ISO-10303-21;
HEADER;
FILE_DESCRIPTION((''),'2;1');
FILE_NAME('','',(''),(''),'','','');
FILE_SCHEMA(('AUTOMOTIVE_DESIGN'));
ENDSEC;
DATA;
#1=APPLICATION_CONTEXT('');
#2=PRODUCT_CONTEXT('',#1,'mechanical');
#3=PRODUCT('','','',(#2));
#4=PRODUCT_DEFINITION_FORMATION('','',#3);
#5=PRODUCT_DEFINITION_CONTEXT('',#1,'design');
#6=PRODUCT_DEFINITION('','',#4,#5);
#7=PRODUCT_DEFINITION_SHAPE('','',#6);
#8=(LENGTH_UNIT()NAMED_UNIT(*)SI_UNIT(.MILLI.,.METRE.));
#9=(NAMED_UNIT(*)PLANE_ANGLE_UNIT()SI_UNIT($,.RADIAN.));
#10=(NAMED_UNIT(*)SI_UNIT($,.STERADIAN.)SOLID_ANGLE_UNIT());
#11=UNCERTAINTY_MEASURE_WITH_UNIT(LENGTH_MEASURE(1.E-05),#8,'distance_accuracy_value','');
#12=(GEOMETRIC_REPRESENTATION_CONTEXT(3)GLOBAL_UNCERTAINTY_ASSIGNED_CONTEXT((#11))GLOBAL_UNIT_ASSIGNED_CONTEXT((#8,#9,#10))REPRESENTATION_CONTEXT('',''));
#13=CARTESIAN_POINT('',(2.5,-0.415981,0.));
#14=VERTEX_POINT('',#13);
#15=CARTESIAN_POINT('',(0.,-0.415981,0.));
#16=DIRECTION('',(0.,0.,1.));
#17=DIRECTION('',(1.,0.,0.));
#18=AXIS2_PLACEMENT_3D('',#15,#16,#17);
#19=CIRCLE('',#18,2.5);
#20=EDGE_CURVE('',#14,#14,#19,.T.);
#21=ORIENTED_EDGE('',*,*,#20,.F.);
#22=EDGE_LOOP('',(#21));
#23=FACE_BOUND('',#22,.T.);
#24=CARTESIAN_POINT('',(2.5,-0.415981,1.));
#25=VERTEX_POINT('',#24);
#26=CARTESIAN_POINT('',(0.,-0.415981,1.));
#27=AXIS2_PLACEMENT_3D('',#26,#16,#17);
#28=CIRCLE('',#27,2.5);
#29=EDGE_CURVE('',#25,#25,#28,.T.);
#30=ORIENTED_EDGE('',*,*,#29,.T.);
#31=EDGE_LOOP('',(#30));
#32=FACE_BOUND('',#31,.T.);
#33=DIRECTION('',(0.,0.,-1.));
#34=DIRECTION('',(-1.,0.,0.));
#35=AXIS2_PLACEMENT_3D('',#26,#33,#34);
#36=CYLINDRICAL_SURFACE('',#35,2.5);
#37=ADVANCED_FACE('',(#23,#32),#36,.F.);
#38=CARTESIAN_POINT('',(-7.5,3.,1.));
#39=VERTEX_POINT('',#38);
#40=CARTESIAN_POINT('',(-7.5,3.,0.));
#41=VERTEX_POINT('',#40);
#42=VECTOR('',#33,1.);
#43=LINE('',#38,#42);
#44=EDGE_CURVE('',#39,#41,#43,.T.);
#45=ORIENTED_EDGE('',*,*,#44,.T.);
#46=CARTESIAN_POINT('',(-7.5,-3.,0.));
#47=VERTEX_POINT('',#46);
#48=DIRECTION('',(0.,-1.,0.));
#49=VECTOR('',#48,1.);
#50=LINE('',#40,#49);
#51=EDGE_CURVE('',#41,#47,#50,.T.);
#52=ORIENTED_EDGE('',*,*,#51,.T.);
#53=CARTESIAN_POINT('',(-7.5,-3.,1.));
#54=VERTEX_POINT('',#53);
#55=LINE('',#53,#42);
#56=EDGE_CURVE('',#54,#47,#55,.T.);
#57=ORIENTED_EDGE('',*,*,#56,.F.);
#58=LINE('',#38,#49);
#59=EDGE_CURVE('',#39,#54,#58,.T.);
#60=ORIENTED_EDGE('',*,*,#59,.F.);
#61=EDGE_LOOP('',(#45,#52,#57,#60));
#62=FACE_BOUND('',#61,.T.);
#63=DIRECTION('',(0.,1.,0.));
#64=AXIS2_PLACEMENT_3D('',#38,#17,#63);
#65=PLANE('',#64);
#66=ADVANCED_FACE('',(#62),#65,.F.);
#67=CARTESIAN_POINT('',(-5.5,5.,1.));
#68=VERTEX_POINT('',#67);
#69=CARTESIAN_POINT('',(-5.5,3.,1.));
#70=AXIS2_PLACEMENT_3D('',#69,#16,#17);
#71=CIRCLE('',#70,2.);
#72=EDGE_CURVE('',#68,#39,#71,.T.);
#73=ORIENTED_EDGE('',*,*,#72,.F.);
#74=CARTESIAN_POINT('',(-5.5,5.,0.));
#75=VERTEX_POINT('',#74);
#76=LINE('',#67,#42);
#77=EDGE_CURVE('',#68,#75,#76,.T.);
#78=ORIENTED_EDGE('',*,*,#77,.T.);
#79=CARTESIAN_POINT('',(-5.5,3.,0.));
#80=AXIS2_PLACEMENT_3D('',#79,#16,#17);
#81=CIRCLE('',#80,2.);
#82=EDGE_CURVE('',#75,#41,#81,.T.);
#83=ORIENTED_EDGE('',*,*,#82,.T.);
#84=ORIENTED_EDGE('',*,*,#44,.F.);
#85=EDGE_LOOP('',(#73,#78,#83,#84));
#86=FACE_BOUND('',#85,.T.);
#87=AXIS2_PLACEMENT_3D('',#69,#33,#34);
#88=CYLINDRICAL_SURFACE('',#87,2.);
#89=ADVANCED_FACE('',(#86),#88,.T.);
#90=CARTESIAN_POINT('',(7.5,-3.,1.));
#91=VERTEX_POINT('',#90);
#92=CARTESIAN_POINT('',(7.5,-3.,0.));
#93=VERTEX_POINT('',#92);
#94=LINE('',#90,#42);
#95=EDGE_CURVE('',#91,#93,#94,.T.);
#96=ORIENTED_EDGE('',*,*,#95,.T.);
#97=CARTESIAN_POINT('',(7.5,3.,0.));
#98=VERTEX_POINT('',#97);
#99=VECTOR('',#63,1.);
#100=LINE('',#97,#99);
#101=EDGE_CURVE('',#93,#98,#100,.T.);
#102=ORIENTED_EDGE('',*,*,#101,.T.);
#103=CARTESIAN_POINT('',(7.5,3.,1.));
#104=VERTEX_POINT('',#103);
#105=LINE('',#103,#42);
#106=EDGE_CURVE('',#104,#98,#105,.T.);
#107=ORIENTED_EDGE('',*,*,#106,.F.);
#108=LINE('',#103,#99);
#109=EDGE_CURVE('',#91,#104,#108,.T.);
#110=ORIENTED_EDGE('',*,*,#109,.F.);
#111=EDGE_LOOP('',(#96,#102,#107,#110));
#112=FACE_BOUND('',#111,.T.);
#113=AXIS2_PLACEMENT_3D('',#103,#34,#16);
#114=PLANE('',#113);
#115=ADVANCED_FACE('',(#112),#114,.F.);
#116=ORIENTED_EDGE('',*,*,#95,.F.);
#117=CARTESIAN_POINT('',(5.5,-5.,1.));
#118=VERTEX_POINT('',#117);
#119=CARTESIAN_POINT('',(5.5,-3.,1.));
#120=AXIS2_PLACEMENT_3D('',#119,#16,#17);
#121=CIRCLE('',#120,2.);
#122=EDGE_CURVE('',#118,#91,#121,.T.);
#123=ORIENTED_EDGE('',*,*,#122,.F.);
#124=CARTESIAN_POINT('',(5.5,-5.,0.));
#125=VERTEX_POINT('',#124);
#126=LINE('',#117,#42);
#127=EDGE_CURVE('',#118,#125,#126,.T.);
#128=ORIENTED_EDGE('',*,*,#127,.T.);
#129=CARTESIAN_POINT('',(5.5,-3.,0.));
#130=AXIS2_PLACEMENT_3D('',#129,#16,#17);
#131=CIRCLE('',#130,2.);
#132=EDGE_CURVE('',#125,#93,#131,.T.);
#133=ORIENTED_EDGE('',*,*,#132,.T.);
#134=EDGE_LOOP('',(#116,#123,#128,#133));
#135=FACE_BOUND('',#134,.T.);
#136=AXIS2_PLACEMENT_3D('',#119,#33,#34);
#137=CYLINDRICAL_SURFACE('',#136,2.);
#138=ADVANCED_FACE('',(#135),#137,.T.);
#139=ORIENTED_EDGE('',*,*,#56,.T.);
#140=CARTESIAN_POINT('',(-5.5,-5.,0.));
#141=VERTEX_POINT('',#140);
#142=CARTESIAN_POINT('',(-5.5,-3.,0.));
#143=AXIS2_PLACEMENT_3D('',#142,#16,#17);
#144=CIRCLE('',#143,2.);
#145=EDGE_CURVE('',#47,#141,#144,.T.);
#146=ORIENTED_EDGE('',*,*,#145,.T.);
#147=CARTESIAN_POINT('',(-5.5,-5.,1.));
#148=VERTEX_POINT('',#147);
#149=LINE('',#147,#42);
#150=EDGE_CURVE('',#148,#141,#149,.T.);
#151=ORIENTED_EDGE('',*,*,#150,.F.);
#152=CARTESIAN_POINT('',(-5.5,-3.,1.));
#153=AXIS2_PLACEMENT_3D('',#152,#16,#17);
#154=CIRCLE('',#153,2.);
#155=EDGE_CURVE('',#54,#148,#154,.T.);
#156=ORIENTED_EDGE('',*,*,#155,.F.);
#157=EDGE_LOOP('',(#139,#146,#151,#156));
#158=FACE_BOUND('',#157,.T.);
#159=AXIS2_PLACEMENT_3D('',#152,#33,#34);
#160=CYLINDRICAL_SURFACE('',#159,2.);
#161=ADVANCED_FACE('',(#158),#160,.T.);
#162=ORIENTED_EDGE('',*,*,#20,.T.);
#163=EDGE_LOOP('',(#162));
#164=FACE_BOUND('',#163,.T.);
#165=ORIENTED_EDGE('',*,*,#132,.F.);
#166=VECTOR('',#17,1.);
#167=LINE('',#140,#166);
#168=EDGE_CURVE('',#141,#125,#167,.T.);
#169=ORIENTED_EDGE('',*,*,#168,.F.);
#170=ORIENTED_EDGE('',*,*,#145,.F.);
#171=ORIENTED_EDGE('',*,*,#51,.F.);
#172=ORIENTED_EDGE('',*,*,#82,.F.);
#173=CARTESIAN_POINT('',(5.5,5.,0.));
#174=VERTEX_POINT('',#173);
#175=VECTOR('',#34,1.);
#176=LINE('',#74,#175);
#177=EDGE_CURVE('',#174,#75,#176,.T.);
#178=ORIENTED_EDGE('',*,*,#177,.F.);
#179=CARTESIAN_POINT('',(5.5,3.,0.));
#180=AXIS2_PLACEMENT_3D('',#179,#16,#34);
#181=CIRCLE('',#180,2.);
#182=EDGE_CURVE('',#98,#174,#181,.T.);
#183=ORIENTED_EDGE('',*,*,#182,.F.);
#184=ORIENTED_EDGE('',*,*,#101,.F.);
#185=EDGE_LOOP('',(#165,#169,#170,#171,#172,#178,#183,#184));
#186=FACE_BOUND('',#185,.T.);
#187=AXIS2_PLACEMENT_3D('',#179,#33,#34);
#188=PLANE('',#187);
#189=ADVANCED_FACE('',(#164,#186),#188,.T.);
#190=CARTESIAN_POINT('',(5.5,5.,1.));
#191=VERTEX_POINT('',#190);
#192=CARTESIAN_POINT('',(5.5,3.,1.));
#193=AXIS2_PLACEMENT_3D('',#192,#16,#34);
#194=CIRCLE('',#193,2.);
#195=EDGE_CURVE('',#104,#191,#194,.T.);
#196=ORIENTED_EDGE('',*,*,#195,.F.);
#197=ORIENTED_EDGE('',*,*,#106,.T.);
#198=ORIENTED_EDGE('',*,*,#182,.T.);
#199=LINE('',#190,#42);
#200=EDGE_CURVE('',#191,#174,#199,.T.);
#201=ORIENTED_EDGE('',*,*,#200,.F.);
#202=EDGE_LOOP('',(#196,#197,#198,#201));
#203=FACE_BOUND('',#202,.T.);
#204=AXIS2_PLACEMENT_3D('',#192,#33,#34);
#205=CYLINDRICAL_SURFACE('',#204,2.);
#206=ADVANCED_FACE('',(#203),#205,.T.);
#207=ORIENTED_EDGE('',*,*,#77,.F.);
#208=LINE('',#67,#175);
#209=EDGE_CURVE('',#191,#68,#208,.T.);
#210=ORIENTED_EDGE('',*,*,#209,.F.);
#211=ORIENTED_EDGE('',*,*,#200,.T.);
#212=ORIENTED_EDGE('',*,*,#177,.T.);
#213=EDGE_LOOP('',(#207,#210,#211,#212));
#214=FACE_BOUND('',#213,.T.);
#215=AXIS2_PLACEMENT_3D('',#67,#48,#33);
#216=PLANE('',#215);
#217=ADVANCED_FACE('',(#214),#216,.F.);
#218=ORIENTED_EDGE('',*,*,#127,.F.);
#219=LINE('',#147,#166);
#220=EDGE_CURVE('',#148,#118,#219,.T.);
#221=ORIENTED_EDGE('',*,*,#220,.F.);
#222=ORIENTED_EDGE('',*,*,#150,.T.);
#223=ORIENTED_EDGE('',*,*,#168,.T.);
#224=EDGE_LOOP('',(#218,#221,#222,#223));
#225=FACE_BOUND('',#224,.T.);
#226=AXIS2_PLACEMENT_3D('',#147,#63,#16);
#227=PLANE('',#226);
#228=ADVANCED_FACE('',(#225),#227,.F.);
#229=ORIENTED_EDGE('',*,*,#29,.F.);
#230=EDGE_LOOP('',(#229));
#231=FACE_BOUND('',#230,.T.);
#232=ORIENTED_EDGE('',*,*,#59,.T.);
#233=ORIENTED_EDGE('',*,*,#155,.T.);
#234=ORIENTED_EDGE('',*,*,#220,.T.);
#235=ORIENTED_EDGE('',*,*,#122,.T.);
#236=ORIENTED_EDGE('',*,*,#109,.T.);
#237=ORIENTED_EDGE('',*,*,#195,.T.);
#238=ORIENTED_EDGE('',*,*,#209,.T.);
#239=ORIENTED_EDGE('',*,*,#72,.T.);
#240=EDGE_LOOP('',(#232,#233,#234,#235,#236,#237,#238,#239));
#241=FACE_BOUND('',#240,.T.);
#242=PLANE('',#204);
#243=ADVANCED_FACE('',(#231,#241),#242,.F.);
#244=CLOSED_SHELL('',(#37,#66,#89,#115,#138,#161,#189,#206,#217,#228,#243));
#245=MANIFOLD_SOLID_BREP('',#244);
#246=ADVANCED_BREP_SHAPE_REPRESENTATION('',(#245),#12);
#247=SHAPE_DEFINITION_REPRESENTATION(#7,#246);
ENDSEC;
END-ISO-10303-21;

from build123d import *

# Parameters (mm, degrees)
SKETCH1_R           = 2.5
BOSS_EXTRUDE1_DEPTH = 1


with BuildPart() as part:
    # Sketch1 → Boss-Extrude1 (new body)
    with BuildSketch(Plane.XY):
        with BuildLine():
            Line((-5.5, 5), (5.5, 5))
            ThreePointArc((5.5, 5), (6.914213562, 4.414213562), (7.5, 3))
            Line((7.5, 3), (7.5, -3))
            ThreePointArc((7.5, -3), (6.914213562, -4.414213562), (5.5, -5))
            Line((5.5, -5), (-5.5, -5))
            ThreePointArc((-5.5, -5), (-6.914213562, -4.414213562), (-7.5, -3))
            Line((-7.5, -3), (-7.5, 3))
            ThreePointArc((-7.5, 3), (-6.914213562, 4.414213562), (-5.5, 5))
        make_face()
        with Locations((0, -0.415981234)):
            Circle(SKETCH1_R, mode=Mode.SUBTRACT)
    extrude(amount=BOSS_EXTRUDE1_DEPTH)


solid = part.part
